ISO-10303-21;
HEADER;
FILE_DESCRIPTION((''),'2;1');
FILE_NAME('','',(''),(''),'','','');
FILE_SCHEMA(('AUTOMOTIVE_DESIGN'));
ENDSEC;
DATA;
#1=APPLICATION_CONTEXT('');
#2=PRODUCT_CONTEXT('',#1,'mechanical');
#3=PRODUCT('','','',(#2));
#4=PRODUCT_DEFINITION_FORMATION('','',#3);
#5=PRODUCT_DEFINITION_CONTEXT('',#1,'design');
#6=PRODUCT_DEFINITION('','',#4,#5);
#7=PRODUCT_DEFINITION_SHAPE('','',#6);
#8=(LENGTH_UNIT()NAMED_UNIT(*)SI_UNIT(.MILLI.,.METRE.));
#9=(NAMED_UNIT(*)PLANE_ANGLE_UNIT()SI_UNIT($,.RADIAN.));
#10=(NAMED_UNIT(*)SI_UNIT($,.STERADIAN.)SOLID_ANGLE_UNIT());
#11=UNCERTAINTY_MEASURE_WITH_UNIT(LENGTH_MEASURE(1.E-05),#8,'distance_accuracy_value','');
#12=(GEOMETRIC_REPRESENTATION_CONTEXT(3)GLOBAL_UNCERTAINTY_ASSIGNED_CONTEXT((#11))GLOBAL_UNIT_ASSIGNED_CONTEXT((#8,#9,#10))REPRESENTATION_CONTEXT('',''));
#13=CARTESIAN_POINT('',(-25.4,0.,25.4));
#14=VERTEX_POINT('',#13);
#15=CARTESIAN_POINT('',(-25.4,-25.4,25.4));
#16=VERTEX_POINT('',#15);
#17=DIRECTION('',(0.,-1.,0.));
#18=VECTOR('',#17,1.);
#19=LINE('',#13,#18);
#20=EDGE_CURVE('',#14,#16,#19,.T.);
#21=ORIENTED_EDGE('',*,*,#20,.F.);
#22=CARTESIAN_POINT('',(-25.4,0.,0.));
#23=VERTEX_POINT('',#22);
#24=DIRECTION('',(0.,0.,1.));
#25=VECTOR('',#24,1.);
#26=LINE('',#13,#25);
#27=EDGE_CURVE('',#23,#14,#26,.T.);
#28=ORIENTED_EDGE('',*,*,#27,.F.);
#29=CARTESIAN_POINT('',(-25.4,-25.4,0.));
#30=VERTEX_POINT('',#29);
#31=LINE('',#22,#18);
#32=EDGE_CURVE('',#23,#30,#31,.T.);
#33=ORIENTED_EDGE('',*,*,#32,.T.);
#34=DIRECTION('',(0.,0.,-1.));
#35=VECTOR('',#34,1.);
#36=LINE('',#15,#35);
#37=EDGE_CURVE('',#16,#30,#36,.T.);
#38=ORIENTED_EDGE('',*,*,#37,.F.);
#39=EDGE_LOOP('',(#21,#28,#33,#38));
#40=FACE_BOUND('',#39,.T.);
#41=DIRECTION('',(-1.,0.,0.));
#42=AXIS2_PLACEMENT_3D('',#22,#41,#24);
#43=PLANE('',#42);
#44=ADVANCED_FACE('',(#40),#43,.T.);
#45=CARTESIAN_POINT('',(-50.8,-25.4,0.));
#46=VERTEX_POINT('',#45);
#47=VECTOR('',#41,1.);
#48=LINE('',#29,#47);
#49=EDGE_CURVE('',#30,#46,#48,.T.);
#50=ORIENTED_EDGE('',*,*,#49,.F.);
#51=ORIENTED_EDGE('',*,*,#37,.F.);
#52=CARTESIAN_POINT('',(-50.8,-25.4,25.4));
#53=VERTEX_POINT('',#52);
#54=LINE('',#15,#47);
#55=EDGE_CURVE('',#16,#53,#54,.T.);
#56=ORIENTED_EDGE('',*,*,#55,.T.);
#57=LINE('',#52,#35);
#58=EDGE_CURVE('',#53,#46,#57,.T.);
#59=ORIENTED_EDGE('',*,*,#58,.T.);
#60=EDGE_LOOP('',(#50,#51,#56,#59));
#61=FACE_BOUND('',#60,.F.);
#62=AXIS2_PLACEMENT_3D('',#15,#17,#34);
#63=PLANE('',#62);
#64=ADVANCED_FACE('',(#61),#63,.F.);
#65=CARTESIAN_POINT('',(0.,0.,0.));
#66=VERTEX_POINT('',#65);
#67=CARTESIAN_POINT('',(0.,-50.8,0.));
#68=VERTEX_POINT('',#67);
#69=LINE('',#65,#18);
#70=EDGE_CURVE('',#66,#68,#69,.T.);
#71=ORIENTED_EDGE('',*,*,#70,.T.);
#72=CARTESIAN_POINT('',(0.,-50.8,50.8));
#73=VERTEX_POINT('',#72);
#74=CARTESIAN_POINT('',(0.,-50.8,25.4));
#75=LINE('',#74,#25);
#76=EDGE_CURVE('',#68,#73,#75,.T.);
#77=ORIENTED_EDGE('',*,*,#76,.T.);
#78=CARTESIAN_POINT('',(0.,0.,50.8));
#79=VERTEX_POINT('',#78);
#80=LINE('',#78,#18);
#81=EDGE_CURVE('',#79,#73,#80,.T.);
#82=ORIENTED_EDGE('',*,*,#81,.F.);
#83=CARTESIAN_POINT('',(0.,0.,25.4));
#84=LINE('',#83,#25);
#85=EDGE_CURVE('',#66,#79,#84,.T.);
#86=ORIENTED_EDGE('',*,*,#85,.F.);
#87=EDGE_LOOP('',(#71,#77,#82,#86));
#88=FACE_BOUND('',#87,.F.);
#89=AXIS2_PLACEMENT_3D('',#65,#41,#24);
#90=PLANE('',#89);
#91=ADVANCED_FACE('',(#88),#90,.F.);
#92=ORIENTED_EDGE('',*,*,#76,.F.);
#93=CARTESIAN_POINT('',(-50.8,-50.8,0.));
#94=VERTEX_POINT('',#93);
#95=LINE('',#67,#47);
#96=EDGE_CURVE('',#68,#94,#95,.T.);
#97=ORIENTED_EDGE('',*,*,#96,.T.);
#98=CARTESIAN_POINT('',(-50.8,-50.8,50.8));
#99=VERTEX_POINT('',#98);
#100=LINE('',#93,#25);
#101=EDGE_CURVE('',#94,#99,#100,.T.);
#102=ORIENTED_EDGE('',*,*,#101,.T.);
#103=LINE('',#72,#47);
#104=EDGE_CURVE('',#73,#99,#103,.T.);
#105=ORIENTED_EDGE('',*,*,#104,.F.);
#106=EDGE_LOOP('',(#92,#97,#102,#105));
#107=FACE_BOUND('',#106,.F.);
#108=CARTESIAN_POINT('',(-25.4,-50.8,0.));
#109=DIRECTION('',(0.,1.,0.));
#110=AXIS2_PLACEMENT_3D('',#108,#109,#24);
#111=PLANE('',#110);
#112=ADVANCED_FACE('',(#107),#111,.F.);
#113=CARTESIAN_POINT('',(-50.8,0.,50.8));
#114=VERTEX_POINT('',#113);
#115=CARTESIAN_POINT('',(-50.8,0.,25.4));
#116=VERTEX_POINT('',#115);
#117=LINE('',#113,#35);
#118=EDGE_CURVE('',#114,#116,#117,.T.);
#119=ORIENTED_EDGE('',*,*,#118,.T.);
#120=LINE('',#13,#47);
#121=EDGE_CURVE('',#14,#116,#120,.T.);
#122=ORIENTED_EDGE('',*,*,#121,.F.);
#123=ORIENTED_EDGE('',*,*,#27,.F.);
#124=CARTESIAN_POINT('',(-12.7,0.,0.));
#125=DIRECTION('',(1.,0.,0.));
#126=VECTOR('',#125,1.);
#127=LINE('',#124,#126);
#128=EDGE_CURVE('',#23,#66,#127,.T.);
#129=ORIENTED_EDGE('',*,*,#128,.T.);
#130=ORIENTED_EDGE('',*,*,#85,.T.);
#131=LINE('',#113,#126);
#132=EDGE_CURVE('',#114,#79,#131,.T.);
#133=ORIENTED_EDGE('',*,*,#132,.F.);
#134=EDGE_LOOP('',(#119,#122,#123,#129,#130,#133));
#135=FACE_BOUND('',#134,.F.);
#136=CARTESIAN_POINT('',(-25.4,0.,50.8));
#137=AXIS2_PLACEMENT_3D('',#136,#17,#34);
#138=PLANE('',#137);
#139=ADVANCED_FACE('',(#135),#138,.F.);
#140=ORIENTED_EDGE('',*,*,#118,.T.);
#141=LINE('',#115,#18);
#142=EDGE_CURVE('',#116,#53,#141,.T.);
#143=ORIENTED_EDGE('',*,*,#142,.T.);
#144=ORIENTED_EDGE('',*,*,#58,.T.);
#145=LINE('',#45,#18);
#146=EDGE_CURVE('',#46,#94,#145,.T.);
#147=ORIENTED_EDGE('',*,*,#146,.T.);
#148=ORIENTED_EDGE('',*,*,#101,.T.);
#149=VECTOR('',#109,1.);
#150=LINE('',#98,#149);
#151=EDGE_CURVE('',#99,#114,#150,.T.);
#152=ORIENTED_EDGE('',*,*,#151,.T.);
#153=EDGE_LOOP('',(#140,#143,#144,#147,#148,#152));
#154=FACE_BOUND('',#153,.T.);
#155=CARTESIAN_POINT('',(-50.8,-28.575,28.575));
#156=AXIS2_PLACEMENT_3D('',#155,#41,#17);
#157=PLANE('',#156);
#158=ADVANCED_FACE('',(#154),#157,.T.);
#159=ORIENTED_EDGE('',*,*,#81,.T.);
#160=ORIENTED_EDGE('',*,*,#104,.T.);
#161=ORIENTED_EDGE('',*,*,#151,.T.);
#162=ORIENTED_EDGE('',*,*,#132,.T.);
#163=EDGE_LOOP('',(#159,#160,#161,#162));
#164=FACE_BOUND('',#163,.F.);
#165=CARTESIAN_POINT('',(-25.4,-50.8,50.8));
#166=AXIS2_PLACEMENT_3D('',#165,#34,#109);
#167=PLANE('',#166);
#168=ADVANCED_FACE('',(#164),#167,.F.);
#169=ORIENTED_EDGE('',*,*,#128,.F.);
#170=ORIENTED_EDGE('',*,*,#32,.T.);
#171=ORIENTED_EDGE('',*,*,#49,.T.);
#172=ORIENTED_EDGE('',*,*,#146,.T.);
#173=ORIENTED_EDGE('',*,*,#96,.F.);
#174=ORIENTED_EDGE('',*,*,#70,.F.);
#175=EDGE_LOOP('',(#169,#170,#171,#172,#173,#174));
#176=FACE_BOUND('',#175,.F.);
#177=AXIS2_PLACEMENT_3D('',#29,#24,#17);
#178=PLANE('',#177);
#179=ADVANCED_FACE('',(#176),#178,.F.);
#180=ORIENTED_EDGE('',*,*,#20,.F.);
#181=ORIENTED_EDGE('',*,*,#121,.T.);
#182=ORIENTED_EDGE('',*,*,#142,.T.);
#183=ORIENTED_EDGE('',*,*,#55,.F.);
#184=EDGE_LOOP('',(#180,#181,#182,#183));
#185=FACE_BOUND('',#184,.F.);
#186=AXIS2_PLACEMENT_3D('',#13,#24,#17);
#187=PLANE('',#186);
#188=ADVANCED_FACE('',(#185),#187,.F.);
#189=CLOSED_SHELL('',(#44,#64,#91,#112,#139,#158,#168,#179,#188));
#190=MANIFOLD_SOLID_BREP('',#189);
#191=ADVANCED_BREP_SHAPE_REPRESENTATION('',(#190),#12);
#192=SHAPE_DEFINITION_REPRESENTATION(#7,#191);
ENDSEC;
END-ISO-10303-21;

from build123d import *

# Parameters (mm, degrees)
F0_W     = 25.4
F0_H     = 50.8
F1_DEPTH = 50.8
F3_DEPTH = 25.4


with BuildPart() as f1:
    # F0 (on Front) → F1 (new body)
    with BuildSketch(Plane.XZ):
        with Locations((-12.7, 25.4)):
            Rectangle(F0_W, F0_H)
    extrude(amount=F1_DEPTH)

    # F2 (on face) → F3 (join)
    with BuildSketch(Plane(origin=(-25.4, 0, 0), x_dir=(0, -1, 0), z_dir=(-1, 0, 0))):
        Polygon((25.4, 25.4), (25.4, 0), (50.8, 0), (50.8, 50.8), (0, 50.8), (0, 25.4), align=None)
    extrude(amount=F3_DEPTH)


solid = f1.part
